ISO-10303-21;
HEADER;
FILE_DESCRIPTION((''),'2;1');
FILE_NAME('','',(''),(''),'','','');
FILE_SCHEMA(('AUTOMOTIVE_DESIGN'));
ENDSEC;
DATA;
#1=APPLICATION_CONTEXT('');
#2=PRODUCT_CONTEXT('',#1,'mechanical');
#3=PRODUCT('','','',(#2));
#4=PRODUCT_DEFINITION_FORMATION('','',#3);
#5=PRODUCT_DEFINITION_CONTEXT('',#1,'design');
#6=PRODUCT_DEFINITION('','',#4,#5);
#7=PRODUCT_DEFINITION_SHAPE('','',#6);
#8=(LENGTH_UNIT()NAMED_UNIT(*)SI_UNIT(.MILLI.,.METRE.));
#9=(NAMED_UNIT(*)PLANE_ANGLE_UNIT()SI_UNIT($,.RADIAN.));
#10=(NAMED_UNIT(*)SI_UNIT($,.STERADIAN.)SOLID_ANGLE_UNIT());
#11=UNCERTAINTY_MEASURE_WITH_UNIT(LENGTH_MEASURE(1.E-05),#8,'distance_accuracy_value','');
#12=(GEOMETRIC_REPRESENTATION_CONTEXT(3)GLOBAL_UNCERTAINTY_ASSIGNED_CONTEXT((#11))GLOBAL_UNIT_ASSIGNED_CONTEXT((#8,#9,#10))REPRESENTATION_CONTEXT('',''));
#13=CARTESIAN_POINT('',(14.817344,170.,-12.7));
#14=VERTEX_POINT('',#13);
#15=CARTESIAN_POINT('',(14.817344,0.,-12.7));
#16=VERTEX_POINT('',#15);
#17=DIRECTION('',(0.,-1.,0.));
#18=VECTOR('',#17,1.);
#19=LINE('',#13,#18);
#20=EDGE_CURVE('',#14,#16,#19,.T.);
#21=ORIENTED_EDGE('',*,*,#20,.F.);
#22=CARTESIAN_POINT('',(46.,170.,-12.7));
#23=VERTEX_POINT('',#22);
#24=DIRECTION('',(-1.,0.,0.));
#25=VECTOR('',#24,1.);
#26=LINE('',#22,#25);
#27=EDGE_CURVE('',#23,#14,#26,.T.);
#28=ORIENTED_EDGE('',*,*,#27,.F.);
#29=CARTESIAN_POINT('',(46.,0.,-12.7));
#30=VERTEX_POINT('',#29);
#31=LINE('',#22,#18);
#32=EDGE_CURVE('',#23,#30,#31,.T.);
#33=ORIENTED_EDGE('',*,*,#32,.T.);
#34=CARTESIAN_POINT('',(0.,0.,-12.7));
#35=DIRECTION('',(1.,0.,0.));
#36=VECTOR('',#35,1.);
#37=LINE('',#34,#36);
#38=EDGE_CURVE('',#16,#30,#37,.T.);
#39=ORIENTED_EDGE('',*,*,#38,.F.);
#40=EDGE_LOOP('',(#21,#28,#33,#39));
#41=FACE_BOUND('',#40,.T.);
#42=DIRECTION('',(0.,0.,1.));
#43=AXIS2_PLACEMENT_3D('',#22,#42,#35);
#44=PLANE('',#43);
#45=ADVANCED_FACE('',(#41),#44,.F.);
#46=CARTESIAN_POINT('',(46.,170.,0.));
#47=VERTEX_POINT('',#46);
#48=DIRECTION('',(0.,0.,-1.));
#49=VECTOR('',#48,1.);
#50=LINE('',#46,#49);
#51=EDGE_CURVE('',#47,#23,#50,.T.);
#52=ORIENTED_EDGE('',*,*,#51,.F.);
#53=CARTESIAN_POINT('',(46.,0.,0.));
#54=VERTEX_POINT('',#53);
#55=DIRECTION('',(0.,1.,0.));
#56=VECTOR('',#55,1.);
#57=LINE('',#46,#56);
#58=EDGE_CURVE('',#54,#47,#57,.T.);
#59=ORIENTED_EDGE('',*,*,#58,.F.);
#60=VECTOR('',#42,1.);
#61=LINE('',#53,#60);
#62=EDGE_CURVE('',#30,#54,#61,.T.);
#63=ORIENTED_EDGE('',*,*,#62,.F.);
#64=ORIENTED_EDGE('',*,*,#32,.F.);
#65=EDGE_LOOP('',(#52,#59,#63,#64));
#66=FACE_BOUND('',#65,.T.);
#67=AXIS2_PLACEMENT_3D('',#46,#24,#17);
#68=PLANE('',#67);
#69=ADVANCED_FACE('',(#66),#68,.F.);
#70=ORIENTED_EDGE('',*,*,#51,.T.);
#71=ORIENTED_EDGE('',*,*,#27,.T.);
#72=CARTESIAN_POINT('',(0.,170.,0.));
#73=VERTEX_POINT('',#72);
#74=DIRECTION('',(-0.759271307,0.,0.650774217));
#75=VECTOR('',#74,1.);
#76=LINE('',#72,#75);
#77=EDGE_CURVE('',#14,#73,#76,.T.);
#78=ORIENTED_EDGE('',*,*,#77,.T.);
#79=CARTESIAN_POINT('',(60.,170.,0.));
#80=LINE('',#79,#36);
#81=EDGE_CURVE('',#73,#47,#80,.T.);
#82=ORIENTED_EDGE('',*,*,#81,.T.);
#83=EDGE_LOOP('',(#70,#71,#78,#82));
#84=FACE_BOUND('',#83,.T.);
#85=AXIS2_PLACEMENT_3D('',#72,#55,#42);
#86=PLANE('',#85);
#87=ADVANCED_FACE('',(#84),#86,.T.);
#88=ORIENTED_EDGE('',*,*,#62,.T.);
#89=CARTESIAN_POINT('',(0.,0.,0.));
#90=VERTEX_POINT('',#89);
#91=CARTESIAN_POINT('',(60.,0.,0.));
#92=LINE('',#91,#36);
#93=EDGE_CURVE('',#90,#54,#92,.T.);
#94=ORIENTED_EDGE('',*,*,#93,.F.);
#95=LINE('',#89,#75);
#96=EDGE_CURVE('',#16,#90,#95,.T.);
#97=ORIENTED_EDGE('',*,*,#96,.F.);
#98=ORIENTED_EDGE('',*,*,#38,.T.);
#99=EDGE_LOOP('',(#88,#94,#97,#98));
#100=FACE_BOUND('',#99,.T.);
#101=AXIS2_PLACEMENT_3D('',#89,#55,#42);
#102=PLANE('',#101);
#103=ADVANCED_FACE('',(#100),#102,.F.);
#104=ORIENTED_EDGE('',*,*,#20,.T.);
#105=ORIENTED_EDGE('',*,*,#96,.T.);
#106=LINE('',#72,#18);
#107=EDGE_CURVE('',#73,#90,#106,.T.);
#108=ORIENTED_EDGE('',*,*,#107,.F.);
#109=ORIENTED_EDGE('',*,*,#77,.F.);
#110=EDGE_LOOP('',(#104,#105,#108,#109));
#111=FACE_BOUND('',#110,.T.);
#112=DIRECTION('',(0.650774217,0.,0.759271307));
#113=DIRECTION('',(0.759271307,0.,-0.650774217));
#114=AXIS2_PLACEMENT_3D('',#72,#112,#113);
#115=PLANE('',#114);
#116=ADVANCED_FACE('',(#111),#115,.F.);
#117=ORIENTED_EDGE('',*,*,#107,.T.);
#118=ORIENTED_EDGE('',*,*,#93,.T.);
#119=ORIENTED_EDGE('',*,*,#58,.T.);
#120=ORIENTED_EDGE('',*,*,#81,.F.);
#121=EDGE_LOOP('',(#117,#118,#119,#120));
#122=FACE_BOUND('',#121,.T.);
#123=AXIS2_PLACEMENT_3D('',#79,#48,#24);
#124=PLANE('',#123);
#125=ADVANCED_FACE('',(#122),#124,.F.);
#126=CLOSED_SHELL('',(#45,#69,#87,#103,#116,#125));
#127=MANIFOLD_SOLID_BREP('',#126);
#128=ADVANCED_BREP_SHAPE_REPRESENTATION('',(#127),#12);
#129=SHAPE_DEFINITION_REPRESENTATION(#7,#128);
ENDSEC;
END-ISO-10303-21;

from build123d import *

# Parameters (mm, degrees)
SALIENTE_EXTRUIR1_DEPTH    = 170
CROQUIS2_W                 = 8
CROQUIS2_H                 = 27
CORTAR_EXTRUIR1_DEPTH      = 1
CORTAR_EXTRUIR1_DEPTH_BACK = 16
CROQUIS3_W                 = 38.06511858
CROQUIS3_H                 = 175.826127046
CORTAR_EXTRUIR2_DEPTH      = 1
CORTAR_EXTRUIR2_DEPTH_BACK = 16
CROQUIS4_W                 = 35.532251822
CROQUIS4_H                 = 7.536766594
CORTAR_EXTRUIR3_DEPTH      = 1
CORTAR_EXTRUIR3_DEPTH_BACK = 171


with BuildPart() as part:
    # Croquis1 → Saliente-Extruir1 (new body)
    with BuildSketch(Plane(origin=(0, 0, 0), x_dir=(1, 0, 0), z_dir=(0, 1, 0))):
        Polygon((0, 0), (17.50080029, 15), (60, 15), (60, 0), align=None)
    extrude(amount=SALIENTE_EXTRUIR1_DEPTH)

    # Croquis2 → Cortar-Extruir1 (cut, two sides)
    with BuildSketch(Plane(origin=(0, 0, -15), x_dir=(-1, 0, 0), z_dir=(0, 0, -1))) as cortar_extruir1_sk:
        with Locations((-56, 13.5)):
            Rectangle(CROQUIS2_W, CROQUIS2_H)
        with Locations((-56, 156.5)):
            Rectangle(CROQUIS2_W, CROQUIS2_H)
    extrude(amount=CORTAR_EXTRUIR1_DEPTH, mode=Mode.SUBTRACT)
    extrude(cortar_extruir1_sk.sketch, amount=-CORTAR_EXTRUIR1_DEPTH_BACK, mode=Mode.SUBTRACT)

    # Croquis3 → Cortar-Extruir2 (cut, two sides)
    with BuildSketch(Plane(origin=(0, 0, -15), x_dir=(-1, 0, 0), z_dir=(0, 0, -1))) as cortar_extruir2_sk:
        with Locations((-65.03255929, 82.086936477)):
            Rectangle(CROQUIS3_W, CROQUIS3_H)
    extrude(amount=CORTAR_EXTRUIR2_DEPTH, mode=Mode.SUBTRACT)
    extrude(cortar_extruir2_sk.sketch, amount=-CORTAR_EXTRUIR2_DEPTH_BACK, mode=Mode.SUBTRACT)

    # Croquis4 → Cortar-Extruir3 (cut, two sides)
    with BuildSketch(Plane.XZ) as cortar_extruir3_sk:
        with Locations((28.233874089, -16.468383297)):
            Rectangle(CROQUIS4_W, CROQUIS4_H)
    extrude(amount=CORTAR_EXTRUIR3_DEPTH, mode=Mode.SUBTRACT)
    extrude(cortar_extruir3_sk.sketch, amount=-CORTAR_EXTRUIR3_DEPTH_BACK, mode=Mode.SUBTRACT)


solid = part.part
